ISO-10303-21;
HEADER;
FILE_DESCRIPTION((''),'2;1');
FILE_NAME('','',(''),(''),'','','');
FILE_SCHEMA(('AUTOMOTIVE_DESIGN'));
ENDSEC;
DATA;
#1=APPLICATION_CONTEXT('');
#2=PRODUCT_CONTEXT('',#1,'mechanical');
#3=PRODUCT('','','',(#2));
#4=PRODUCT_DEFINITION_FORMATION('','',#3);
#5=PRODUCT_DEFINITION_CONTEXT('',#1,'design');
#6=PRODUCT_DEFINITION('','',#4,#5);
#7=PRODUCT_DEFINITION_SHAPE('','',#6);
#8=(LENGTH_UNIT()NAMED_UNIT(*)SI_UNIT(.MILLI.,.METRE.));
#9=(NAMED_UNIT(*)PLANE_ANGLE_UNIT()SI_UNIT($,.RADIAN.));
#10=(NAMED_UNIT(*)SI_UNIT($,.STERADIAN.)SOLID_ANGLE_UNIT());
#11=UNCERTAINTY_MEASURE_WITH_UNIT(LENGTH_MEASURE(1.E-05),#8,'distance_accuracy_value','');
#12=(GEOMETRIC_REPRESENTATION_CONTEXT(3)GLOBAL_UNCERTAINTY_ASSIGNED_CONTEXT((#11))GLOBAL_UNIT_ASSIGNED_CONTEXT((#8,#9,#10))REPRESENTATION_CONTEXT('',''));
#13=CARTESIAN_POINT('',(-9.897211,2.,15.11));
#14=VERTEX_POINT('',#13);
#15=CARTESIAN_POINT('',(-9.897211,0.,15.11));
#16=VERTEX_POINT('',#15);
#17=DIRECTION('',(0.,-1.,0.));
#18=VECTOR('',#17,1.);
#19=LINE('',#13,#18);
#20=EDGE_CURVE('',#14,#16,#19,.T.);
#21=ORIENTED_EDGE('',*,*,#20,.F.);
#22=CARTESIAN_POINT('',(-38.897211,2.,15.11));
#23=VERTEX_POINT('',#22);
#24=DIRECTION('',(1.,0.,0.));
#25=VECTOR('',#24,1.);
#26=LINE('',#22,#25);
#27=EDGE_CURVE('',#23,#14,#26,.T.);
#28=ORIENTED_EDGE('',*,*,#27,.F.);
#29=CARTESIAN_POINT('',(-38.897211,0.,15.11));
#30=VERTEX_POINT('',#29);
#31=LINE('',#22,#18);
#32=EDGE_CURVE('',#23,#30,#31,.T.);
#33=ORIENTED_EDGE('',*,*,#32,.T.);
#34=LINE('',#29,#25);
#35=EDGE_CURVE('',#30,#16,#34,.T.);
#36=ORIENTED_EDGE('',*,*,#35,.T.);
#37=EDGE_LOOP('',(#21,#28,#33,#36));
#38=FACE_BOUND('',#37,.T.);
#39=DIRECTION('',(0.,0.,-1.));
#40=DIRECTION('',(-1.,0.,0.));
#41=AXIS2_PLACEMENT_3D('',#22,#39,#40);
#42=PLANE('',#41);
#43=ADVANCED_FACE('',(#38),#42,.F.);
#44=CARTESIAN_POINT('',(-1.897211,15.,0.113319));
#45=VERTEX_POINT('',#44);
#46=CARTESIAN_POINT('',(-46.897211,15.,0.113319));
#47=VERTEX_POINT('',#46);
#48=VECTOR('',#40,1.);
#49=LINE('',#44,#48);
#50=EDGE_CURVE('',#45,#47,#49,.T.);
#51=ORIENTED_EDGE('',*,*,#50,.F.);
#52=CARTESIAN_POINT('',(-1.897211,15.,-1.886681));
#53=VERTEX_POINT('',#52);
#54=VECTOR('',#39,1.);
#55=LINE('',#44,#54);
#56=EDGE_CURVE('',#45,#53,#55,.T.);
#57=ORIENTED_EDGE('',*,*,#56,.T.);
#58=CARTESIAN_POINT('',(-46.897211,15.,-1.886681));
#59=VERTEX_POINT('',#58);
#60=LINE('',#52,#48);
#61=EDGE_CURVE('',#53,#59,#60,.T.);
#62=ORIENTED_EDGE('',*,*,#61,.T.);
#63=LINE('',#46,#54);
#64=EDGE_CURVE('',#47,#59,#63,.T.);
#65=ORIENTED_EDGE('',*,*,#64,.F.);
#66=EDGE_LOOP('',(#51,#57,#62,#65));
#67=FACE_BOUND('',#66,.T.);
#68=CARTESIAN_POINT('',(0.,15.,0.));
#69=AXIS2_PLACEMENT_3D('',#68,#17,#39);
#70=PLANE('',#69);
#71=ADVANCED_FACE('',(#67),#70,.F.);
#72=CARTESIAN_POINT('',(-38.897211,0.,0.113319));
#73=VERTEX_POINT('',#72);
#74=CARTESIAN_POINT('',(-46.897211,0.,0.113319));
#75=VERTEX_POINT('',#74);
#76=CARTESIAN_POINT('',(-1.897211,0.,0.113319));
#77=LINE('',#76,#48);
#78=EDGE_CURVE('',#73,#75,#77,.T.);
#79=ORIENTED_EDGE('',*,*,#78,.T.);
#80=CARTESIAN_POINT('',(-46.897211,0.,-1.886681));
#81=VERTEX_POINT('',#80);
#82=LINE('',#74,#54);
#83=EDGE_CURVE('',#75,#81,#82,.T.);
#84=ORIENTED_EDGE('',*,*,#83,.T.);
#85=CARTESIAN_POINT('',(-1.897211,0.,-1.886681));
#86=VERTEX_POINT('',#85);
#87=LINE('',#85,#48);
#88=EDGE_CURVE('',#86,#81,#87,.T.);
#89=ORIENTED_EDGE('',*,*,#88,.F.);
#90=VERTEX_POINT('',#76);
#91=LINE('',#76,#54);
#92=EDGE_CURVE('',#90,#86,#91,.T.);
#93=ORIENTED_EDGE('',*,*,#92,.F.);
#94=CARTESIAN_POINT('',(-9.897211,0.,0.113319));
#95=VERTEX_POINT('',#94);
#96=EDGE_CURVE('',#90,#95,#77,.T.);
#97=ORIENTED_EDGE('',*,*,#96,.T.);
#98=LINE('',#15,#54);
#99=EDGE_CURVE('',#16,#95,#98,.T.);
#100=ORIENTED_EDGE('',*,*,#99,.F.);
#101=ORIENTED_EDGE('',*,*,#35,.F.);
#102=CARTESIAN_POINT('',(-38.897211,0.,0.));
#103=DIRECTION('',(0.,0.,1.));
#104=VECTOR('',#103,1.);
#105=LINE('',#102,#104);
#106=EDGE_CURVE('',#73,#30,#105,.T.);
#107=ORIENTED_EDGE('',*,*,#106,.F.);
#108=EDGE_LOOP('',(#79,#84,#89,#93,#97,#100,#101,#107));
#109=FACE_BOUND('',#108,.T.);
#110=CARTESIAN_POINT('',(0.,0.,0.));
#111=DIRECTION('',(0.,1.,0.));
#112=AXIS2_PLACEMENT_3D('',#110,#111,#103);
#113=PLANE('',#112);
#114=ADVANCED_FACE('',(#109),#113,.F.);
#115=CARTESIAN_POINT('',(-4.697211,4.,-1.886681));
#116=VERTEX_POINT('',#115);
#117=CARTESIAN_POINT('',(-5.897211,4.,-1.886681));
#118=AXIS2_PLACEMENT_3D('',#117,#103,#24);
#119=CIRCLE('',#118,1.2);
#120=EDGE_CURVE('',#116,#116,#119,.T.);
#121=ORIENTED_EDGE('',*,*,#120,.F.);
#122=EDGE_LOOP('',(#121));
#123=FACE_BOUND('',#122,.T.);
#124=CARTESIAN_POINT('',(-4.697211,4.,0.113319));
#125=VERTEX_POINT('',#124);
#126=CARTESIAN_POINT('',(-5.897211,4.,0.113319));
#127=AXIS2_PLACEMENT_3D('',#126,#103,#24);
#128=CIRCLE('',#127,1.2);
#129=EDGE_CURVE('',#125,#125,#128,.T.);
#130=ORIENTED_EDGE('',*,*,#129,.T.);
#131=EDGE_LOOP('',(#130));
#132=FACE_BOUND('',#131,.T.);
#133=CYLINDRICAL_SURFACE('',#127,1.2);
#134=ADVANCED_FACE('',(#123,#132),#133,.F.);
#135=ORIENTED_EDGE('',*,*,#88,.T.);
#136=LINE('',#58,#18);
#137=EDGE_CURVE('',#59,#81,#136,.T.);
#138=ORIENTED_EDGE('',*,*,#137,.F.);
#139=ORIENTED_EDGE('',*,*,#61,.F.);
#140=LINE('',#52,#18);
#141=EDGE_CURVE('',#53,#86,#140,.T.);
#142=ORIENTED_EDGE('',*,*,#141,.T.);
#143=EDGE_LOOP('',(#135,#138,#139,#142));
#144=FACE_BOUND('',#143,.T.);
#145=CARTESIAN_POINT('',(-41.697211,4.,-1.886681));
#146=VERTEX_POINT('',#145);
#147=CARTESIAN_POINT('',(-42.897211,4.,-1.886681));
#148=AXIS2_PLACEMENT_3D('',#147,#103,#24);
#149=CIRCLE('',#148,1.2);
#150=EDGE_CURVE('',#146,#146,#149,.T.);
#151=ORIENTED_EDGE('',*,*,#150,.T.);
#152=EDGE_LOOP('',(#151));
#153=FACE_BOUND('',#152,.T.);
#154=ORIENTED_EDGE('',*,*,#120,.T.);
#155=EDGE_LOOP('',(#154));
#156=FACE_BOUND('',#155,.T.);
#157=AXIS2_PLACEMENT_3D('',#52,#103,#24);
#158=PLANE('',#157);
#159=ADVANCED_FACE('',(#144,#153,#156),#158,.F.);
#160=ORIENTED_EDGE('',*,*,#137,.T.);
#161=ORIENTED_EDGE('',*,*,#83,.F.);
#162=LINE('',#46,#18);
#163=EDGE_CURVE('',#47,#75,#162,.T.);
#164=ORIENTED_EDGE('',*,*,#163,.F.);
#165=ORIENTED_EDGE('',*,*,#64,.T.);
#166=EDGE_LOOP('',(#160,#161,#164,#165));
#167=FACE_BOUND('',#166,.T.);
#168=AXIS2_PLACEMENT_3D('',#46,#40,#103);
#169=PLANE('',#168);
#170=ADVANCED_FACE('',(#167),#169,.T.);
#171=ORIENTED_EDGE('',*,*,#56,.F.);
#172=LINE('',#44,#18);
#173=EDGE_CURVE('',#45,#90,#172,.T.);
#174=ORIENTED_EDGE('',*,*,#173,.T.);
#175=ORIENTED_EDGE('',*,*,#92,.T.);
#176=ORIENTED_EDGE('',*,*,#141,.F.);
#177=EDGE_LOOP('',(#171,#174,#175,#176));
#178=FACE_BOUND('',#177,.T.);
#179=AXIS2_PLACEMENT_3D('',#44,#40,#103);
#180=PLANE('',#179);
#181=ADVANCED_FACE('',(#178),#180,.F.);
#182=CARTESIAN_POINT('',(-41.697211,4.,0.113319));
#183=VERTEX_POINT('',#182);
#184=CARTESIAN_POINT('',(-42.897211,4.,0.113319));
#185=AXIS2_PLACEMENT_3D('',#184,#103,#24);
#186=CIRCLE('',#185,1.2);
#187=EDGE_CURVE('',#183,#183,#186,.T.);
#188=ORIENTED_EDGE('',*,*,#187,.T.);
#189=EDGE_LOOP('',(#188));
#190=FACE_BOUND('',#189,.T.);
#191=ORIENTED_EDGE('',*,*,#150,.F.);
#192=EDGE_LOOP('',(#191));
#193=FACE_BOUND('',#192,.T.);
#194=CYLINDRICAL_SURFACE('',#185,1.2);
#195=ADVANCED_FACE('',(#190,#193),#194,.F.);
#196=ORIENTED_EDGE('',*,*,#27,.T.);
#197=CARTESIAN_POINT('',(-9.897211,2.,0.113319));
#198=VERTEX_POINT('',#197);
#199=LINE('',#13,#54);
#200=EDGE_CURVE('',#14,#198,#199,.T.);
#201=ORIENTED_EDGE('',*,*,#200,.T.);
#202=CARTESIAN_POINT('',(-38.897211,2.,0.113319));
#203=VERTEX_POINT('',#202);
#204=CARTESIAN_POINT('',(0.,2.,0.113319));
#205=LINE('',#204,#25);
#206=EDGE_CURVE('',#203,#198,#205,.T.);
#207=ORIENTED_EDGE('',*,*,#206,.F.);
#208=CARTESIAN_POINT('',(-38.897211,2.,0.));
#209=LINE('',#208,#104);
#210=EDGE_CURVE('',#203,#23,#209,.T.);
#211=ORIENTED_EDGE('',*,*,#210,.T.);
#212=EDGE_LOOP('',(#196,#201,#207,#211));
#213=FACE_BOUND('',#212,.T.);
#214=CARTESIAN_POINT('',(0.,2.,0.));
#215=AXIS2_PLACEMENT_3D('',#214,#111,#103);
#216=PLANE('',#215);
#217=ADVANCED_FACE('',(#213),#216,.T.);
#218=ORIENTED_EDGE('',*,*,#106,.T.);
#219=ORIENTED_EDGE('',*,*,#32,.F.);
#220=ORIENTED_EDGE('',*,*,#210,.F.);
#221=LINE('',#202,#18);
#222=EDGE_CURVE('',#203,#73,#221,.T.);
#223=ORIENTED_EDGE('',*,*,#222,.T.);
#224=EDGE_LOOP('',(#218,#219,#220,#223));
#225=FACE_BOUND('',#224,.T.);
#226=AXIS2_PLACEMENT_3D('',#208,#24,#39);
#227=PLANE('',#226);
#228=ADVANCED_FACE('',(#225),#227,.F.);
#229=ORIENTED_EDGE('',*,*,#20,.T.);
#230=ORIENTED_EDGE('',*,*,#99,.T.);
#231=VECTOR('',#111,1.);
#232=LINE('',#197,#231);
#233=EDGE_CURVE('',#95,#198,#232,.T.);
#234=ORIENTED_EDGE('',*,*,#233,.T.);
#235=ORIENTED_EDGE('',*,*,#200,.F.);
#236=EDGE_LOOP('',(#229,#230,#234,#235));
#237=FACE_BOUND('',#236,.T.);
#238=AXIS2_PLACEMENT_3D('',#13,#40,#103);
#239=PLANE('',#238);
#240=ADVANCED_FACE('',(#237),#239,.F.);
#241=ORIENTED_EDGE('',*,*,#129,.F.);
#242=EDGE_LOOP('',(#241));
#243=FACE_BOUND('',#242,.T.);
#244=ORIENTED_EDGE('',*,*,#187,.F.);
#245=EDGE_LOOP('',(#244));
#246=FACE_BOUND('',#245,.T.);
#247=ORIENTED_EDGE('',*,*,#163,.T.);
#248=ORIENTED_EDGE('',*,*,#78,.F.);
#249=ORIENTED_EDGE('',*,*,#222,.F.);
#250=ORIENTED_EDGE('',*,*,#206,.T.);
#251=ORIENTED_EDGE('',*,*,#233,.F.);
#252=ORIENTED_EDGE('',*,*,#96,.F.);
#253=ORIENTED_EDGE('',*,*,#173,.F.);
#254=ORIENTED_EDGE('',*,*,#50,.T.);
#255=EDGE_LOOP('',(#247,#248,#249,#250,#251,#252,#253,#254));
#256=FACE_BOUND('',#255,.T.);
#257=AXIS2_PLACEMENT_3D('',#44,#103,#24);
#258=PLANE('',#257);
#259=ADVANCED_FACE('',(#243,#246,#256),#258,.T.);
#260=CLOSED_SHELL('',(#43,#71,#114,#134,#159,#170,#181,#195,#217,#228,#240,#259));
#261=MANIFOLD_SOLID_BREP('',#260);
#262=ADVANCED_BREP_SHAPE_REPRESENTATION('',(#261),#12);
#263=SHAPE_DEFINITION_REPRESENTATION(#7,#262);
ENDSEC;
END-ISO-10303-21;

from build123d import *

# Parameters (mm, degrees)
SKETCH2_W            = 29
SKETCH2_H            = 15.11
BOSS_EXTRUDE1_DEPTH  = 2
SKETCH7_W            = 45
SKETCH7_H            = 2
BOSS_EXTRUDE2_DEPTH  = 15
M2_CLEARANCE_HOLE1_D = 2.4
M2_CLEARANCE_HOLE2_D = 2.4


with BuildPart() as part:
    # Sketch2 → Boss-Extrude1 (new body)
    with BuildSketch(Plane(origin=(0, 0, 0), x_dir=(1, 0, 0), z_dir=(0, 1, 0))):
        with Locations((-24.397211382, -7.555)):
            Rectangle(SKETCH2_W, SKETCH2_H)
    extrude(amount=BOSS_EXTRUDE1_DEPTH)

    # Sketch7 → Boss-Extrude2 (add)
    with BuildSketch(Plane(origin=(0, 0, 0), x_dir=(-1, 0, 0), z_dir=(0, -1, 0))):
        with Locations((24.397211382, 0.886680676)):
            Rectangle(SKETCH7_W, SKETCH7_H)
    extrude(amount=-BOSS_EXTRUDE2_DEPTH)

    # M2 Clearance Hole1 (through all)
    with Locations(Plane.XY.offset(0.113319324)):
        with Locations((-42.897211382, 4)):
            Hole(M2_CLEARANCE_HOLE1_D / 2)

    # M2 Clearance Hole2 (through all)
    with Locations(Plane.XY.offset(0.113319324)):
        with Locations((-5.897211382, 4)):
            Hole(M2_CLEARANCE_HOLE2_D / 2)


solid = part.part
